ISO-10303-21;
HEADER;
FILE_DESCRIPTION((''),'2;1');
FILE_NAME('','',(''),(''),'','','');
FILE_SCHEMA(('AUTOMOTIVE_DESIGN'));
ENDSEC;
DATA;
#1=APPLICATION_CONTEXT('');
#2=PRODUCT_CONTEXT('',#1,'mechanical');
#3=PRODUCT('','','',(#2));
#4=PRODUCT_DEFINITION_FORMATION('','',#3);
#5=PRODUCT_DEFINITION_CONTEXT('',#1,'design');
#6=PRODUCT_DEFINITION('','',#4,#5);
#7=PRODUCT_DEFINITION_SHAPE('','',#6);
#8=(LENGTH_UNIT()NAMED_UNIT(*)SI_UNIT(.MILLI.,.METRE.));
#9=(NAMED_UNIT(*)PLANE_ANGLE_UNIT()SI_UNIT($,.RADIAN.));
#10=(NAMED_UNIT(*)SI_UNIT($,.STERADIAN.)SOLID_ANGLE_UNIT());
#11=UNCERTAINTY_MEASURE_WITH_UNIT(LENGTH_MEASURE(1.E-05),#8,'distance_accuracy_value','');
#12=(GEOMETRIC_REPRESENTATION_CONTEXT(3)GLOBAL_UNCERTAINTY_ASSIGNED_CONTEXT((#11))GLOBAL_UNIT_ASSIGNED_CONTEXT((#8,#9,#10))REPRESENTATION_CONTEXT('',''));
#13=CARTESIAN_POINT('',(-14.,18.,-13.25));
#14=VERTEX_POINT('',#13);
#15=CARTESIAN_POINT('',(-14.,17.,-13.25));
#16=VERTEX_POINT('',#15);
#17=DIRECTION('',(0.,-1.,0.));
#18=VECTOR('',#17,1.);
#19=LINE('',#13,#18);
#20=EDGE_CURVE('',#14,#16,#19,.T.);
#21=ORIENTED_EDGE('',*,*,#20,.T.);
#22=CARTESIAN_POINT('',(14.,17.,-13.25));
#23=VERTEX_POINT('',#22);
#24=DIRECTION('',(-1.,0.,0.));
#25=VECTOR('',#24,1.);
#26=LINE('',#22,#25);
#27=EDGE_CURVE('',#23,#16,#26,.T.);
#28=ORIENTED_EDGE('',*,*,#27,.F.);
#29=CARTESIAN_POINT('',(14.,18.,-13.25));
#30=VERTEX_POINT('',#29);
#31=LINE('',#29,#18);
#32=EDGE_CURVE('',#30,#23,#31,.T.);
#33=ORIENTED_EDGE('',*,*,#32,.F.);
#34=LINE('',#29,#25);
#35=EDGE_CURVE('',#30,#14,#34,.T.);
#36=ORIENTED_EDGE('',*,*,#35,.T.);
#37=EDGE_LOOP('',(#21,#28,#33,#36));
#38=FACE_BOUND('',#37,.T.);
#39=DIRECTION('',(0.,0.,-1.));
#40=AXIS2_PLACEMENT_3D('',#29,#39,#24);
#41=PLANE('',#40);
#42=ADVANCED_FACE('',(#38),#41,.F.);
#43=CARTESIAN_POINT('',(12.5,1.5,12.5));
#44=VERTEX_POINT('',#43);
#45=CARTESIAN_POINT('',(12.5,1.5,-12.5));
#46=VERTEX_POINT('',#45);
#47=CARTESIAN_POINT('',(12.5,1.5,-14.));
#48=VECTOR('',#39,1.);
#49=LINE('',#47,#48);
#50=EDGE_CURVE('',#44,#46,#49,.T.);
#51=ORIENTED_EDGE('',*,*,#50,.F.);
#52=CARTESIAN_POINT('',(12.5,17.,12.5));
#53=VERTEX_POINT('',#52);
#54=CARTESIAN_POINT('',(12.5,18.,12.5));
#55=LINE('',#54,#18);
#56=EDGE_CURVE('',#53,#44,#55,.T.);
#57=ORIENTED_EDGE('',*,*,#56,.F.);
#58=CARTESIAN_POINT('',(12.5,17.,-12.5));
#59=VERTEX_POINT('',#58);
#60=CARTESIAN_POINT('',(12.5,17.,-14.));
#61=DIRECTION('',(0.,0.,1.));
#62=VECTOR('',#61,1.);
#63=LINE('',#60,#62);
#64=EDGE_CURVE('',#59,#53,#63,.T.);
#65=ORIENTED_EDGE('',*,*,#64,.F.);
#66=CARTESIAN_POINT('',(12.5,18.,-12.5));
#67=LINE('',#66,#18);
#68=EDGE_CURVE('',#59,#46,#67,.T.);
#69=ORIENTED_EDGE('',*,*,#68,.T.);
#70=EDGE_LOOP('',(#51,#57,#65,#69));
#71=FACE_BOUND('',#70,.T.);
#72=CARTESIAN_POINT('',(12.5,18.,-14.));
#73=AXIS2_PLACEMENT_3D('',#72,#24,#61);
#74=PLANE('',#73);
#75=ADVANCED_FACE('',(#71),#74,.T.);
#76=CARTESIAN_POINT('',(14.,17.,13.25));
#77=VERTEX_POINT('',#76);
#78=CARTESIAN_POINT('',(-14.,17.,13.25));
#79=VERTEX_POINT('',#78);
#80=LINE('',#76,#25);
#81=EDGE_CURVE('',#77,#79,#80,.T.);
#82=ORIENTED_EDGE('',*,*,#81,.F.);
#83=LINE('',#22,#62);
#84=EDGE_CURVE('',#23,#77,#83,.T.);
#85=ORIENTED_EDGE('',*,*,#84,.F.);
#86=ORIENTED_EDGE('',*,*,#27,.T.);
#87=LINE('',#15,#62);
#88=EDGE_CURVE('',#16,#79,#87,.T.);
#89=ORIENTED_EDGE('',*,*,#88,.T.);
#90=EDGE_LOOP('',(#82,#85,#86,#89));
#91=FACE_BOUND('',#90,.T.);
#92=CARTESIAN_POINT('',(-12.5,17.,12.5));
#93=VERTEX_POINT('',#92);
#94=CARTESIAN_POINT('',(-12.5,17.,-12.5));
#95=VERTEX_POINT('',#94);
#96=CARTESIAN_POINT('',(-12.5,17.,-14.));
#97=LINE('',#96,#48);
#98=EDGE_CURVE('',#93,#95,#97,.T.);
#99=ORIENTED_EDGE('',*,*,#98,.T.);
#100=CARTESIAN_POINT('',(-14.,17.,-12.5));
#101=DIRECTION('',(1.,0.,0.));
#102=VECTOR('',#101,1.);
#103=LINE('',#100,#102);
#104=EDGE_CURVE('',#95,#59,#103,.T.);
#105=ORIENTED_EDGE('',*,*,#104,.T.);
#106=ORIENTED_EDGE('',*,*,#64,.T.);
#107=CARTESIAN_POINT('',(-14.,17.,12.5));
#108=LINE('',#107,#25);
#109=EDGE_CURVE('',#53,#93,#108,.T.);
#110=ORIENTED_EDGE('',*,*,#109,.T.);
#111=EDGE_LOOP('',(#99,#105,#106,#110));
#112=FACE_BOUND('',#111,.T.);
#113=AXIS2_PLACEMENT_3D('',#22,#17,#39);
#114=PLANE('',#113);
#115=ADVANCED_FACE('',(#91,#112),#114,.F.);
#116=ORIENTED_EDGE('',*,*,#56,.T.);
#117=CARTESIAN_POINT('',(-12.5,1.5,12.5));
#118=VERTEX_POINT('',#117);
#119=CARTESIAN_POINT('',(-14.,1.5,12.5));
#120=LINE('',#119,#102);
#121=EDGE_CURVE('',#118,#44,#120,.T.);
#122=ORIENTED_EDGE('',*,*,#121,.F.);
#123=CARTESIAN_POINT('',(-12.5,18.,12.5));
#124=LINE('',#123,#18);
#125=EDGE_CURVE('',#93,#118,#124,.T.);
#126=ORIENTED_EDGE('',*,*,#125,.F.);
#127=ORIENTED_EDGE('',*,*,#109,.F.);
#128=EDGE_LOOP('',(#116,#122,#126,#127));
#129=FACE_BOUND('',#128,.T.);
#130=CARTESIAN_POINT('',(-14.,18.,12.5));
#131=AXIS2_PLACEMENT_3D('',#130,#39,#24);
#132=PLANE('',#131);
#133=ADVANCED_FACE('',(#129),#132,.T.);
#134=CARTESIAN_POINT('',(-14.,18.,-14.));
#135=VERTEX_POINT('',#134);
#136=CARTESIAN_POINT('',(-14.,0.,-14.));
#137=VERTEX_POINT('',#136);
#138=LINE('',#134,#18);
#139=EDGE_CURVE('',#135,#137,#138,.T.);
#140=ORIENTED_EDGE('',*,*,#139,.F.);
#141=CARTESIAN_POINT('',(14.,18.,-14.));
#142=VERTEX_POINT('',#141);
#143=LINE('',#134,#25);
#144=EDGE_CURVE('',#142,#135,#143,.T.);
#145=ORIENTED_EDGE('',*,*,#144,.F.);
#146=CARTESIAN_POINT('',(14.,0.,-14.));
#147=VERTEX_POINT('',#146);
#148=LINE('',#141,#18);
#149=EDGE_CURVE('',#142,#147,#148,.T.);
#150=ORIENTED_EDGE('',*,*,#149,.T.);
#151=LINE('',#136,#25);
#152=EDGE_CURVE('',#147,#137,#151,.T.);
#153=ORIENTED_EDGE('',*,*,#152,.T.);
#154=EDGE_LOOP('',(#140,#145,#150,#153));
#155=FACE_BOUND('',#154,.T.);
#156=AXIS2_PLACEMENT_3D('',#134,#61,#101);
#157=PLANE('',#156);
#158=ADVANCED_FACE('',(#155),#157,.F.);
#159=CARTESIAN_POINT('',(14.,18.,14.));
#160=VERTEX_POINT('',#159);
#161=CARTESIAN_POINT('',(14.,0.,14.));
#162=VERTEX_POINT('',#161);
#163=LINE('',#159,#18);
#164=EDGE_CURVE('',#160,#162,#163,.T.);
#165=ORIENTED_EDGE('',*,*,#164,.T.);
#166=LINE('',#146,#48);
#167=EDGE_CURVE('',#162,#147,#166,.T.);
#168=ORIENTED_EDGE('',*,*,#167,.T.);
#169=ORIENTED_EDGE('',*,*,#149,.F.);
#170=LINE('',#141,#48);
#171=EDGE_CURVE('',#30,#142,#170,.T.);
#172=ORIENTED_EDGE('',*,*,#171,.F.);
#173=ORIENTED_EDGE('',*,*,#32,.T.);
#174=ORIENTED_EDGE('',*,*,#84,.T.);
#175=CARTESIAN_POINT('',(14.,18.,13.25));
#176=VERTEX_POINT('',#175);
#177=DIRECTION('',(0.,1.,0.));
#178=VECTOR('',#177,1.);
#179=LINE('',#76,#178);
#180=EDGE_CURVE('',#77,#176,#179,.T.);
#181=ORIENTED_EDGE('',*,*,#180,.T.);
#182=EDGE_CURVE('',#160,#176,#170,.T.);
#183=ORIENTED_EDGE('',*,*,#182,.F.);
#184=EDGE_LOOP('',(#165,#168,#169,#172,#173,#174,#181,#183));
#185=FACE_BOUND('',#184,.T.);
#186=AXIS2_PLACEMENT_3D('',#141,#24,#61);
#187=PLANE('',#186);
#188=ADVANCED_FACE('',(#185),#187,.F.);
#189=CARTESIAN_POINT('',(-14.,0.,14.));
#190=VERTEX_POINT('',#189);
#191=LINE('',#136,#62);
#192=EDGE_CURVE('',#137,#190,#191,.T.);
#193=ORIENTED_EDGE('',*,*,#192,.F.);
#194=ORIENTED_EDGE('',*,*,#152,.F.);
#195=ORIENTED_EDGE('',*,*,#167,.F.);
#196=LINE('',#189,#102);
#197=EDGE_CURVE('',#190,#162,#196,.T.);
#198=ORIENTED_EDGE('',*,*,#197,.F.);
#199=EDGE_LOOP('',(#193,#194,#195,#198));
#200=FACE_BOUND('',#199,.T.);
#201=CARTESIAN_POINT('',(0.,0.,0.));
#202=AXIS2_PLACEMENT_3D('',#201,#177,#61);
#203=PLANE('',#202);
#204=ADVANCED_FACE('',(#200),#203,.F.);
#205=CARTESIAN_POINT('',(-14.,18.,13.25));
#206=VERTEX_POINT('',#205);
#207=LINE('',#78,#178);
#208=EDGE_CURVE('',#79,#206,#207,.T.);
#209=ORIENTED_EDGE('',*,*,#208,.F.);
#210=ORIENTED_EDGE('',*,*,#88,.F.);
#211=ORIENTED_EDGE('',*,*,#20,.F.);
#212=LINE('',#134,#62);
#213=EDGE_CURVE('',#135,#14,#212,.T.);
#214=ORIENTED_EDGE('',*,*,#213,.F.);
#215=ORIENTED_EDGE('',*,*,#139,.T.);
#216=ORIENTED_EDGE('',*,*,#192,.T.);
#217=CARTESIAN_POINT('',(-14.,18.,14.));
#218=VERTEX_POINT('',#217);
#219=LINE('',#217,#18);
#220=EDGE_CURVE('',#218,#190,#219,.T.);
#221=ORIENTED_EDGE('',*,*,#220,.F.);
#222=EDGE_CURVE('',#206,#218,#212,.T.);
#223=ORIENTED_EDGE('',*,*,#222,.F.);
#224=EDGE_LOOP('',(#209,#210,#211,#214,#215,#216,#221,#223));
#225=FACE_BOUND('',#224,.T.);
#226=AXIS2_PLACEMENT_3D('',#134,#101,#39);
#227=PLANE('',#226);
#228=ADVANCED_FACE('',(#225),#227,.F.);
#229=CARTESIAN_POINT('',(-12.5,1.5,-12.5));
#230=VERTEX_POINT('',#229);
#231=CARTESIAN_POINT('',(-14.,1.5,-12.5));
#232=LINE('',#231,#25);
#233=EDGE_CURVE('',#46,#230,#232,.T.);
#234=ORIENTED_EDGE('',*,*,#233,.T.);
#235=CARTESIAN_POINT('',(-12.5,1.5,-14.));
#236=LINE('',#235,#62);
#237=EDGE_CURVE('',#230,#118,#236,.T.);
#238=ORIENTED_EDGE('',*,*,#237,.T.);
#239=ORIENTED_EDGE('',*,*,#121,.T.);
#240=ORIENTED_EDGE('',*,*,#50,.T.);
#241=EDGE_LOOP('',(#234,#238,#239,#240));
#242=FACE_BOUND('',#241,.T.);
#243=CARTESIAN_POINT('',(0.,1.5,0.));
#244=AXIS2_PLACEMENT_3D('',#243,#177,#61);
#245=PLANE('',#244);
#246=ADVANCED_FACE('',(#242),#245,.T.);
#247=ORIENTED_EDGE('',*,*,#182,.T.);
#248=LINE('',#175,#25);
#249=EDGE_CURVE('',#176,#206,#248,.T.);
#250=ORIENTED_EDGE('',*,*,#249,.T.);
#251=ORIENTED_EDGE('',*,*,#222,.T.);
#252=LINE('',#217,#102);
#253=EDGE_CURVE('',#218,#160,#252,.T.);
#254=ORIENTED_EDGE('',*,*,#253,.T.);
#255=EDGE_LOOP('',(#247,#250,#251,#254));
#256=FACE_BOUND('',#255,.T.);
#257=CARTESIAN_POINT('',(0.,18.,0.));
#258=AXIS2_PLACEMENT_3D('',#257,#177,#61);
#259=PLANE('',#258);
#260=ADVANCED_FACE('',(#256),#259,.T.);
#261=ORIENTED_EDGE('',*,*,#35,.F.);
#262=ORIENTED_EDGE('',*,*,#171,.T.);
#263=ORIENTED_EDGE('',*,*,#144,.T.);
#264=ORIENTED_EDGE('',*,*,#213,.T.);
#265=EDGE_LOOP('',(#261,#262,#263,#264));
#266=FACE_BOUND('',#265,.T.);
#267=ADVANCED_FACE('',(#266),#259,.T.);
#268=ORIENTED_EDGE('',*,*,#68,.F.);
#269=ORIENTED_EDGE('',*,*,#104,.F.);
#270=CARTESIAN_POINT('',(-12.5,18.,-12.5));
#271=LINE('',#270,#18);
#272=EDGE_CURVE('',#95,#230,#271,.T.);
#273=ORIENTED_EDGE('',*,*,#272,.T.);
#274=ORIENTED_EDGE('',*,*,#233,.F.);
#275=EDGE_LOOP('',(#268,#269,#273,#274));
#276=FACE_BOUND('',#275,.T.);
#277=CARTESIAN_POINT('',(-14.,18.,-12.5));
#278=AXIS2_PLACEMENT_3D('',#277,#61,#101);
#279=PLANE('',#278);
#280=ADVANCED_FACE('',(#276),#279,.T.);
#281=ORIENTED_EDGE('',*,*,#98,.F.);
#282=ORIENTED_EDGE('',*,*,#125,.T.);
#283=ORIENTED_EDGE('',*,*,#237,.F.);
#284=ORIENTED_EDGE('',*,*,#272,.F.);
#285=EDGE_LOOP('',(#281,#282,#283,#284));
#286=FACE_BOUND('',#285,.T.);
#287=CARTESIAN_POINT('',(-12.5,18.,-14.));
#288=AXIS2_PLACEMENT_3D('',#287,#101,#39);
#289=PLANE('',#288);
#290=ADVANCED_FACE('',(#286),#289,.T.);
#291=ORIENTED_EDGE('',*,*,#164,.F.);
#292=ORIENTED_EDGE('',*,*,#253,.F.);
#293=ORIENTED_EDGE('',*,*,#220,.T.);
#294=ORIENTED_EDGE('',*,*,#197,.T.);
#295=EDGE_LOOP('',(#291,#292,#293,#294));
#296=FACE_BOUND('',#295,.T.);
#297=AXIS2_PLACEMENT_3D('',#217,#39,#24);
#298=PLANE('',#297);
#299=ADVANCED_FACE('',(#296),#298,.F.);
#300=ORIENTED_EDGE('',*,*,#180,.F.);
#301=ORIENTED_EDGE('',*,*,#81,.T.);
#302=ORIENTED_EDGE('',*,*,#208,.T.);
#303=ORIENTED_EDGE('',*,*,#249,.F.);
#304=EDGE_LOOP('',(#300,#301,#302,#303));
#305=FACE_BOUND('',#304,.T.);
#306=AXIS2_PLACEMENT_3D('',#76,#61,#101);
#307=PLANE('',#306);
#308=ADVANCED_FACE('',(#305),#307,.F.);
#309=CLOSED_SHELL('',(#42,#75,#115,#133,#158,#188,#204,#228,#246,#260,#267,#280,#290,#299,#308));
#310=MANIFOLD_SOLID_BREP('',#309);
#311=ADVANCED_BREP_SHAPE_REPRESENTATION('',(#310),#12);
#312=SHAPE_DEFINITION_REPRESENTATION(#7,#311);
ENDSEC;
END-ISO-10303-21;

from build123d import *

# Parameters (mm, degrees)
SKETCH1_W           = 28
SKETCH1_H           = 28
BOSS_EXTRUDE1_DEPTH = 18
SHELL2_T            = -1.5
SKETCH2_W           = 26.5
SKETCH2_H           = 1
CUT_EXTRUDE1_DEPTH  = 29


with BuildPart() as part:
    # Sketch1 → Boss-Extrude1 (new body)
    with BuildSketch(Plane(origin=(0, 0, 0), x_dir=(1, 0, 0), z_dir=(0, 1, 0))):
        Rectangle(SKETCH1_W, SKETCH1_H)
    extrude(amount=BOSS_EXTRUDE1_DEPTH)

    # Shell2
    shell2_openings = [part.faces().sort_by_distance(p)[0] for p in [
        (0, 18, 0),
    ]]
    offset(amount=SHELL2_T, openings=shell2_openings, kind=Kind.INTERSECTION)

    # Sketch2 → Cut-Extrude1 (cut, through all)
    with BuildSketch(Plane.ZY.offset(14)):
        with Locations((0, 17.5)):
            Rectangle(SKETCH2_W, SKETCH2_H)
    extrude(amount=-CUT_EXTRUDE1_DEPTH, mode=Mode.SUBTRACT)


solid = part.part
